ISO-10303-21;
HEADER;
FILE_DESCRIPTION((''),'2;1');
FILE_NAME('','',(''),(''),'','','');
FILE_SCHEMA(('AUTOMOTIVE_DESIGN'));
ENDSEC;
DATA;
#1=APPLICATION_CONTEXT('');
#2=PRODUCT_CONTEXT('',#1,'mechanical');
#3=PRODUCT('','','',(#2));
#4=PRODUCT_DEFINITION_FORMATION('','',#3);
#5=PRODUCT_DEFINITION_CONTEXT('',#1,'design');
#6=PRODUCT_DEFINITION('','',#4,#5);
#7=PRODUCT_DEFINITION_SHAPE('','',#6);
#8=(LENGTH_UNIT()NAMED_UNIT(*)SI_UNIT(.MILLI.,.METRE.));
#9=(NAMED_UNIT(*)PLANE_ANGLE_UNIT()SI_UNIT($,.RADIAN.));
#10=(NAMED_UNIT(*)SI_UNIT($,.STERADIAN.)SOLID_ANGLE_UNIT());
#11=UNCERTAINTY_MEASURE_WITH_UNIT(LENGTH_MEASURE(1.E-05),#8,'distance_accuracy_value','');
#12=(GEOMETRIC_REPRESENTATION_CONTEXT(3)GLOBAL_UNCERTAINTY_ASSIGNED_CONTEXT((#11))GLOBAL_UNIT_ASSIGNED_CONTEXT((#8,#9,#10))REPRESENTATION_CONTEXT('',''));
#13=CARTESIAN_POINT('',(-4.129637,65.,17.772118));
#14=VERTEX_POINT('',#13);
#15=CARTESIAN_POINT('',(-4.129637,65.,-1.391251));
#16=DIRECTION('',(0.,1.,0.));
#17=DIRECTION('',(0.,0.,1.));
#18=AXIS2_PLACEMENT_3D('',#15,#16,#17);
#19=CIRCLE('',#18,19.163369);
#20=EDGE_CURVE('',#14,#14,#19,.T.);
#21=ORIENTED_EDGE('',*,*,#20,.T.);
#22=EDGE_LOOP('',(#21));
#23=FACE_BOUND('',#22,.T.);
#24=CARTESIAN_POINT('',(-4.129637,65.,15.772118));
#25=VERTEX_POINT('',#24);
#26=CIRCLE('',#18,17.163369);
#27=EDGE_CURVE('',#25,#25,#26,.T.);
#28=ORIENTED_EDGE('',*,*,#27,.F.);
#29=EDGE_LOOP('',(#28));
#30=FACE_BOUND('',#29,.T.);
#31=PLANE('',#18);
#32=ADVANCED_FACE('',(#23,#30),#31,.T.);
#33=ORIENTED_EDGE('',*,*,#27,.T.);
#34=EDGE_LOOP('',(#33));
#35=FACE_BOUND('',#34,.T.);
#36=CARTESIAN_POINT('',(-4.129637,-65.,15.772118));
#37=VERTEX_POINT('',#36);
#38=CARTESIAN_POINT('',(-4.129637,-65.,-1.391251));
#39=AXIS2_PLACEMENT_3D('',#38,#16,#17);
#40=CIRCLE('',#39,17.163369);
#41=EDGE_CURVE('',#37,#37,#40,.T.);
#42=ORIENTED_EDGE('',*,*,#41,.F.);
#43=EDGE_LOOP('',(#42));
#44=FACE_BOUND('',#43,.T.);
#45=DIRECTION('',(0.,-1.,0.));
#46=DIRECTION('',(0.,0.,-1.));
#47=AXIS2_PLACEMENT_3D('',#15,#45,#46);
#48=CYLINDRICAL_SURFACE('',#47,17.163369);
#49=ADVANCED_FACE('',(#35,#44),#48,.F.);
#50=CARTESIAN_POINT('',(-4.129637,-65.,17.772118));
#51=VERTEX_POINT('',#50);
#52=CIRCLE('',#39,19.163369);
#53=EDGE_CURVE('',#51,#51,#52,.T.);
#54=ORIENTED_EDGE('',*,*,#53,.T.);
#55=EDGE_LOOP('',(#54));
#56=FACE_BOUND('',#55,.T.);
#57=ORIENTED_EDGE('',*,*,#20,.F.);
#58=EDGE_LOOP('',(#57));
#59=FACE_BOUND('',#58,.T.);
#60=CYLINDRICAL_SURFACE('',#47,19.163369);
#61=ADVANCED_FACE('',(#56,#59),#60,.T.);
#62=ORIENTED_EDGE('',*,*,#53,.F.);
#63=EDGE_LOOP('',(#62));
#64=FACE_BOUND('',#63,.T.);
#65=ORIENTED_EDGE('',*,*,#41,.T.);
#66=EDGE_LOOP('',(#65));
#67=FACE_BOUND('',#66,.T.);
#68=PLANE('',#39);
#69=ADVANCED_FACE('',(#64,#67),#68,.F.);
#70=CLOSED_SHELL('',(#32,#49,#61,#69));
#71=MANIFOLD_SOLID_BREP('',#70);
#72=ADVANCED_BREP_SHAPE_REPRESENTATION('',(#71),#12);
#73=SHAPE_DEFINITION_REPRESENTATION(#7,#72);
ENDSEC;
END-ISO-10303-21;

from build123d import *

# Parameters (mm, degrees)
SKETCH1_R           = 19.163369398
SKETCH1_R_2         = 17.163369398
BOSS_EXTRUDE1_DEPTH = 65


with BuildPart() as part:
    # Sketch1 → Boss-Extrude1 (new, symmetric)
    with BuildSketch(Plane(origin=(0, 0, 0), x_dir=(1, 0, 0), z_dir=(0, 1, 0))):
        with Locations(Location((-4.129636555, 1.391251354, 0), (0, 0, 270))):
            Circle(SKETCH1_R)
        with Locations(Location((-4.129636555, 1.391251354, 0), (0, 0, 270))):
            Circle(SKETCH1_R_2, mode=Mode.SUBTRACT)
    extrude(amount=BOSS_EXTRUDE1_DEPTH, both=True)


solid = part.part
